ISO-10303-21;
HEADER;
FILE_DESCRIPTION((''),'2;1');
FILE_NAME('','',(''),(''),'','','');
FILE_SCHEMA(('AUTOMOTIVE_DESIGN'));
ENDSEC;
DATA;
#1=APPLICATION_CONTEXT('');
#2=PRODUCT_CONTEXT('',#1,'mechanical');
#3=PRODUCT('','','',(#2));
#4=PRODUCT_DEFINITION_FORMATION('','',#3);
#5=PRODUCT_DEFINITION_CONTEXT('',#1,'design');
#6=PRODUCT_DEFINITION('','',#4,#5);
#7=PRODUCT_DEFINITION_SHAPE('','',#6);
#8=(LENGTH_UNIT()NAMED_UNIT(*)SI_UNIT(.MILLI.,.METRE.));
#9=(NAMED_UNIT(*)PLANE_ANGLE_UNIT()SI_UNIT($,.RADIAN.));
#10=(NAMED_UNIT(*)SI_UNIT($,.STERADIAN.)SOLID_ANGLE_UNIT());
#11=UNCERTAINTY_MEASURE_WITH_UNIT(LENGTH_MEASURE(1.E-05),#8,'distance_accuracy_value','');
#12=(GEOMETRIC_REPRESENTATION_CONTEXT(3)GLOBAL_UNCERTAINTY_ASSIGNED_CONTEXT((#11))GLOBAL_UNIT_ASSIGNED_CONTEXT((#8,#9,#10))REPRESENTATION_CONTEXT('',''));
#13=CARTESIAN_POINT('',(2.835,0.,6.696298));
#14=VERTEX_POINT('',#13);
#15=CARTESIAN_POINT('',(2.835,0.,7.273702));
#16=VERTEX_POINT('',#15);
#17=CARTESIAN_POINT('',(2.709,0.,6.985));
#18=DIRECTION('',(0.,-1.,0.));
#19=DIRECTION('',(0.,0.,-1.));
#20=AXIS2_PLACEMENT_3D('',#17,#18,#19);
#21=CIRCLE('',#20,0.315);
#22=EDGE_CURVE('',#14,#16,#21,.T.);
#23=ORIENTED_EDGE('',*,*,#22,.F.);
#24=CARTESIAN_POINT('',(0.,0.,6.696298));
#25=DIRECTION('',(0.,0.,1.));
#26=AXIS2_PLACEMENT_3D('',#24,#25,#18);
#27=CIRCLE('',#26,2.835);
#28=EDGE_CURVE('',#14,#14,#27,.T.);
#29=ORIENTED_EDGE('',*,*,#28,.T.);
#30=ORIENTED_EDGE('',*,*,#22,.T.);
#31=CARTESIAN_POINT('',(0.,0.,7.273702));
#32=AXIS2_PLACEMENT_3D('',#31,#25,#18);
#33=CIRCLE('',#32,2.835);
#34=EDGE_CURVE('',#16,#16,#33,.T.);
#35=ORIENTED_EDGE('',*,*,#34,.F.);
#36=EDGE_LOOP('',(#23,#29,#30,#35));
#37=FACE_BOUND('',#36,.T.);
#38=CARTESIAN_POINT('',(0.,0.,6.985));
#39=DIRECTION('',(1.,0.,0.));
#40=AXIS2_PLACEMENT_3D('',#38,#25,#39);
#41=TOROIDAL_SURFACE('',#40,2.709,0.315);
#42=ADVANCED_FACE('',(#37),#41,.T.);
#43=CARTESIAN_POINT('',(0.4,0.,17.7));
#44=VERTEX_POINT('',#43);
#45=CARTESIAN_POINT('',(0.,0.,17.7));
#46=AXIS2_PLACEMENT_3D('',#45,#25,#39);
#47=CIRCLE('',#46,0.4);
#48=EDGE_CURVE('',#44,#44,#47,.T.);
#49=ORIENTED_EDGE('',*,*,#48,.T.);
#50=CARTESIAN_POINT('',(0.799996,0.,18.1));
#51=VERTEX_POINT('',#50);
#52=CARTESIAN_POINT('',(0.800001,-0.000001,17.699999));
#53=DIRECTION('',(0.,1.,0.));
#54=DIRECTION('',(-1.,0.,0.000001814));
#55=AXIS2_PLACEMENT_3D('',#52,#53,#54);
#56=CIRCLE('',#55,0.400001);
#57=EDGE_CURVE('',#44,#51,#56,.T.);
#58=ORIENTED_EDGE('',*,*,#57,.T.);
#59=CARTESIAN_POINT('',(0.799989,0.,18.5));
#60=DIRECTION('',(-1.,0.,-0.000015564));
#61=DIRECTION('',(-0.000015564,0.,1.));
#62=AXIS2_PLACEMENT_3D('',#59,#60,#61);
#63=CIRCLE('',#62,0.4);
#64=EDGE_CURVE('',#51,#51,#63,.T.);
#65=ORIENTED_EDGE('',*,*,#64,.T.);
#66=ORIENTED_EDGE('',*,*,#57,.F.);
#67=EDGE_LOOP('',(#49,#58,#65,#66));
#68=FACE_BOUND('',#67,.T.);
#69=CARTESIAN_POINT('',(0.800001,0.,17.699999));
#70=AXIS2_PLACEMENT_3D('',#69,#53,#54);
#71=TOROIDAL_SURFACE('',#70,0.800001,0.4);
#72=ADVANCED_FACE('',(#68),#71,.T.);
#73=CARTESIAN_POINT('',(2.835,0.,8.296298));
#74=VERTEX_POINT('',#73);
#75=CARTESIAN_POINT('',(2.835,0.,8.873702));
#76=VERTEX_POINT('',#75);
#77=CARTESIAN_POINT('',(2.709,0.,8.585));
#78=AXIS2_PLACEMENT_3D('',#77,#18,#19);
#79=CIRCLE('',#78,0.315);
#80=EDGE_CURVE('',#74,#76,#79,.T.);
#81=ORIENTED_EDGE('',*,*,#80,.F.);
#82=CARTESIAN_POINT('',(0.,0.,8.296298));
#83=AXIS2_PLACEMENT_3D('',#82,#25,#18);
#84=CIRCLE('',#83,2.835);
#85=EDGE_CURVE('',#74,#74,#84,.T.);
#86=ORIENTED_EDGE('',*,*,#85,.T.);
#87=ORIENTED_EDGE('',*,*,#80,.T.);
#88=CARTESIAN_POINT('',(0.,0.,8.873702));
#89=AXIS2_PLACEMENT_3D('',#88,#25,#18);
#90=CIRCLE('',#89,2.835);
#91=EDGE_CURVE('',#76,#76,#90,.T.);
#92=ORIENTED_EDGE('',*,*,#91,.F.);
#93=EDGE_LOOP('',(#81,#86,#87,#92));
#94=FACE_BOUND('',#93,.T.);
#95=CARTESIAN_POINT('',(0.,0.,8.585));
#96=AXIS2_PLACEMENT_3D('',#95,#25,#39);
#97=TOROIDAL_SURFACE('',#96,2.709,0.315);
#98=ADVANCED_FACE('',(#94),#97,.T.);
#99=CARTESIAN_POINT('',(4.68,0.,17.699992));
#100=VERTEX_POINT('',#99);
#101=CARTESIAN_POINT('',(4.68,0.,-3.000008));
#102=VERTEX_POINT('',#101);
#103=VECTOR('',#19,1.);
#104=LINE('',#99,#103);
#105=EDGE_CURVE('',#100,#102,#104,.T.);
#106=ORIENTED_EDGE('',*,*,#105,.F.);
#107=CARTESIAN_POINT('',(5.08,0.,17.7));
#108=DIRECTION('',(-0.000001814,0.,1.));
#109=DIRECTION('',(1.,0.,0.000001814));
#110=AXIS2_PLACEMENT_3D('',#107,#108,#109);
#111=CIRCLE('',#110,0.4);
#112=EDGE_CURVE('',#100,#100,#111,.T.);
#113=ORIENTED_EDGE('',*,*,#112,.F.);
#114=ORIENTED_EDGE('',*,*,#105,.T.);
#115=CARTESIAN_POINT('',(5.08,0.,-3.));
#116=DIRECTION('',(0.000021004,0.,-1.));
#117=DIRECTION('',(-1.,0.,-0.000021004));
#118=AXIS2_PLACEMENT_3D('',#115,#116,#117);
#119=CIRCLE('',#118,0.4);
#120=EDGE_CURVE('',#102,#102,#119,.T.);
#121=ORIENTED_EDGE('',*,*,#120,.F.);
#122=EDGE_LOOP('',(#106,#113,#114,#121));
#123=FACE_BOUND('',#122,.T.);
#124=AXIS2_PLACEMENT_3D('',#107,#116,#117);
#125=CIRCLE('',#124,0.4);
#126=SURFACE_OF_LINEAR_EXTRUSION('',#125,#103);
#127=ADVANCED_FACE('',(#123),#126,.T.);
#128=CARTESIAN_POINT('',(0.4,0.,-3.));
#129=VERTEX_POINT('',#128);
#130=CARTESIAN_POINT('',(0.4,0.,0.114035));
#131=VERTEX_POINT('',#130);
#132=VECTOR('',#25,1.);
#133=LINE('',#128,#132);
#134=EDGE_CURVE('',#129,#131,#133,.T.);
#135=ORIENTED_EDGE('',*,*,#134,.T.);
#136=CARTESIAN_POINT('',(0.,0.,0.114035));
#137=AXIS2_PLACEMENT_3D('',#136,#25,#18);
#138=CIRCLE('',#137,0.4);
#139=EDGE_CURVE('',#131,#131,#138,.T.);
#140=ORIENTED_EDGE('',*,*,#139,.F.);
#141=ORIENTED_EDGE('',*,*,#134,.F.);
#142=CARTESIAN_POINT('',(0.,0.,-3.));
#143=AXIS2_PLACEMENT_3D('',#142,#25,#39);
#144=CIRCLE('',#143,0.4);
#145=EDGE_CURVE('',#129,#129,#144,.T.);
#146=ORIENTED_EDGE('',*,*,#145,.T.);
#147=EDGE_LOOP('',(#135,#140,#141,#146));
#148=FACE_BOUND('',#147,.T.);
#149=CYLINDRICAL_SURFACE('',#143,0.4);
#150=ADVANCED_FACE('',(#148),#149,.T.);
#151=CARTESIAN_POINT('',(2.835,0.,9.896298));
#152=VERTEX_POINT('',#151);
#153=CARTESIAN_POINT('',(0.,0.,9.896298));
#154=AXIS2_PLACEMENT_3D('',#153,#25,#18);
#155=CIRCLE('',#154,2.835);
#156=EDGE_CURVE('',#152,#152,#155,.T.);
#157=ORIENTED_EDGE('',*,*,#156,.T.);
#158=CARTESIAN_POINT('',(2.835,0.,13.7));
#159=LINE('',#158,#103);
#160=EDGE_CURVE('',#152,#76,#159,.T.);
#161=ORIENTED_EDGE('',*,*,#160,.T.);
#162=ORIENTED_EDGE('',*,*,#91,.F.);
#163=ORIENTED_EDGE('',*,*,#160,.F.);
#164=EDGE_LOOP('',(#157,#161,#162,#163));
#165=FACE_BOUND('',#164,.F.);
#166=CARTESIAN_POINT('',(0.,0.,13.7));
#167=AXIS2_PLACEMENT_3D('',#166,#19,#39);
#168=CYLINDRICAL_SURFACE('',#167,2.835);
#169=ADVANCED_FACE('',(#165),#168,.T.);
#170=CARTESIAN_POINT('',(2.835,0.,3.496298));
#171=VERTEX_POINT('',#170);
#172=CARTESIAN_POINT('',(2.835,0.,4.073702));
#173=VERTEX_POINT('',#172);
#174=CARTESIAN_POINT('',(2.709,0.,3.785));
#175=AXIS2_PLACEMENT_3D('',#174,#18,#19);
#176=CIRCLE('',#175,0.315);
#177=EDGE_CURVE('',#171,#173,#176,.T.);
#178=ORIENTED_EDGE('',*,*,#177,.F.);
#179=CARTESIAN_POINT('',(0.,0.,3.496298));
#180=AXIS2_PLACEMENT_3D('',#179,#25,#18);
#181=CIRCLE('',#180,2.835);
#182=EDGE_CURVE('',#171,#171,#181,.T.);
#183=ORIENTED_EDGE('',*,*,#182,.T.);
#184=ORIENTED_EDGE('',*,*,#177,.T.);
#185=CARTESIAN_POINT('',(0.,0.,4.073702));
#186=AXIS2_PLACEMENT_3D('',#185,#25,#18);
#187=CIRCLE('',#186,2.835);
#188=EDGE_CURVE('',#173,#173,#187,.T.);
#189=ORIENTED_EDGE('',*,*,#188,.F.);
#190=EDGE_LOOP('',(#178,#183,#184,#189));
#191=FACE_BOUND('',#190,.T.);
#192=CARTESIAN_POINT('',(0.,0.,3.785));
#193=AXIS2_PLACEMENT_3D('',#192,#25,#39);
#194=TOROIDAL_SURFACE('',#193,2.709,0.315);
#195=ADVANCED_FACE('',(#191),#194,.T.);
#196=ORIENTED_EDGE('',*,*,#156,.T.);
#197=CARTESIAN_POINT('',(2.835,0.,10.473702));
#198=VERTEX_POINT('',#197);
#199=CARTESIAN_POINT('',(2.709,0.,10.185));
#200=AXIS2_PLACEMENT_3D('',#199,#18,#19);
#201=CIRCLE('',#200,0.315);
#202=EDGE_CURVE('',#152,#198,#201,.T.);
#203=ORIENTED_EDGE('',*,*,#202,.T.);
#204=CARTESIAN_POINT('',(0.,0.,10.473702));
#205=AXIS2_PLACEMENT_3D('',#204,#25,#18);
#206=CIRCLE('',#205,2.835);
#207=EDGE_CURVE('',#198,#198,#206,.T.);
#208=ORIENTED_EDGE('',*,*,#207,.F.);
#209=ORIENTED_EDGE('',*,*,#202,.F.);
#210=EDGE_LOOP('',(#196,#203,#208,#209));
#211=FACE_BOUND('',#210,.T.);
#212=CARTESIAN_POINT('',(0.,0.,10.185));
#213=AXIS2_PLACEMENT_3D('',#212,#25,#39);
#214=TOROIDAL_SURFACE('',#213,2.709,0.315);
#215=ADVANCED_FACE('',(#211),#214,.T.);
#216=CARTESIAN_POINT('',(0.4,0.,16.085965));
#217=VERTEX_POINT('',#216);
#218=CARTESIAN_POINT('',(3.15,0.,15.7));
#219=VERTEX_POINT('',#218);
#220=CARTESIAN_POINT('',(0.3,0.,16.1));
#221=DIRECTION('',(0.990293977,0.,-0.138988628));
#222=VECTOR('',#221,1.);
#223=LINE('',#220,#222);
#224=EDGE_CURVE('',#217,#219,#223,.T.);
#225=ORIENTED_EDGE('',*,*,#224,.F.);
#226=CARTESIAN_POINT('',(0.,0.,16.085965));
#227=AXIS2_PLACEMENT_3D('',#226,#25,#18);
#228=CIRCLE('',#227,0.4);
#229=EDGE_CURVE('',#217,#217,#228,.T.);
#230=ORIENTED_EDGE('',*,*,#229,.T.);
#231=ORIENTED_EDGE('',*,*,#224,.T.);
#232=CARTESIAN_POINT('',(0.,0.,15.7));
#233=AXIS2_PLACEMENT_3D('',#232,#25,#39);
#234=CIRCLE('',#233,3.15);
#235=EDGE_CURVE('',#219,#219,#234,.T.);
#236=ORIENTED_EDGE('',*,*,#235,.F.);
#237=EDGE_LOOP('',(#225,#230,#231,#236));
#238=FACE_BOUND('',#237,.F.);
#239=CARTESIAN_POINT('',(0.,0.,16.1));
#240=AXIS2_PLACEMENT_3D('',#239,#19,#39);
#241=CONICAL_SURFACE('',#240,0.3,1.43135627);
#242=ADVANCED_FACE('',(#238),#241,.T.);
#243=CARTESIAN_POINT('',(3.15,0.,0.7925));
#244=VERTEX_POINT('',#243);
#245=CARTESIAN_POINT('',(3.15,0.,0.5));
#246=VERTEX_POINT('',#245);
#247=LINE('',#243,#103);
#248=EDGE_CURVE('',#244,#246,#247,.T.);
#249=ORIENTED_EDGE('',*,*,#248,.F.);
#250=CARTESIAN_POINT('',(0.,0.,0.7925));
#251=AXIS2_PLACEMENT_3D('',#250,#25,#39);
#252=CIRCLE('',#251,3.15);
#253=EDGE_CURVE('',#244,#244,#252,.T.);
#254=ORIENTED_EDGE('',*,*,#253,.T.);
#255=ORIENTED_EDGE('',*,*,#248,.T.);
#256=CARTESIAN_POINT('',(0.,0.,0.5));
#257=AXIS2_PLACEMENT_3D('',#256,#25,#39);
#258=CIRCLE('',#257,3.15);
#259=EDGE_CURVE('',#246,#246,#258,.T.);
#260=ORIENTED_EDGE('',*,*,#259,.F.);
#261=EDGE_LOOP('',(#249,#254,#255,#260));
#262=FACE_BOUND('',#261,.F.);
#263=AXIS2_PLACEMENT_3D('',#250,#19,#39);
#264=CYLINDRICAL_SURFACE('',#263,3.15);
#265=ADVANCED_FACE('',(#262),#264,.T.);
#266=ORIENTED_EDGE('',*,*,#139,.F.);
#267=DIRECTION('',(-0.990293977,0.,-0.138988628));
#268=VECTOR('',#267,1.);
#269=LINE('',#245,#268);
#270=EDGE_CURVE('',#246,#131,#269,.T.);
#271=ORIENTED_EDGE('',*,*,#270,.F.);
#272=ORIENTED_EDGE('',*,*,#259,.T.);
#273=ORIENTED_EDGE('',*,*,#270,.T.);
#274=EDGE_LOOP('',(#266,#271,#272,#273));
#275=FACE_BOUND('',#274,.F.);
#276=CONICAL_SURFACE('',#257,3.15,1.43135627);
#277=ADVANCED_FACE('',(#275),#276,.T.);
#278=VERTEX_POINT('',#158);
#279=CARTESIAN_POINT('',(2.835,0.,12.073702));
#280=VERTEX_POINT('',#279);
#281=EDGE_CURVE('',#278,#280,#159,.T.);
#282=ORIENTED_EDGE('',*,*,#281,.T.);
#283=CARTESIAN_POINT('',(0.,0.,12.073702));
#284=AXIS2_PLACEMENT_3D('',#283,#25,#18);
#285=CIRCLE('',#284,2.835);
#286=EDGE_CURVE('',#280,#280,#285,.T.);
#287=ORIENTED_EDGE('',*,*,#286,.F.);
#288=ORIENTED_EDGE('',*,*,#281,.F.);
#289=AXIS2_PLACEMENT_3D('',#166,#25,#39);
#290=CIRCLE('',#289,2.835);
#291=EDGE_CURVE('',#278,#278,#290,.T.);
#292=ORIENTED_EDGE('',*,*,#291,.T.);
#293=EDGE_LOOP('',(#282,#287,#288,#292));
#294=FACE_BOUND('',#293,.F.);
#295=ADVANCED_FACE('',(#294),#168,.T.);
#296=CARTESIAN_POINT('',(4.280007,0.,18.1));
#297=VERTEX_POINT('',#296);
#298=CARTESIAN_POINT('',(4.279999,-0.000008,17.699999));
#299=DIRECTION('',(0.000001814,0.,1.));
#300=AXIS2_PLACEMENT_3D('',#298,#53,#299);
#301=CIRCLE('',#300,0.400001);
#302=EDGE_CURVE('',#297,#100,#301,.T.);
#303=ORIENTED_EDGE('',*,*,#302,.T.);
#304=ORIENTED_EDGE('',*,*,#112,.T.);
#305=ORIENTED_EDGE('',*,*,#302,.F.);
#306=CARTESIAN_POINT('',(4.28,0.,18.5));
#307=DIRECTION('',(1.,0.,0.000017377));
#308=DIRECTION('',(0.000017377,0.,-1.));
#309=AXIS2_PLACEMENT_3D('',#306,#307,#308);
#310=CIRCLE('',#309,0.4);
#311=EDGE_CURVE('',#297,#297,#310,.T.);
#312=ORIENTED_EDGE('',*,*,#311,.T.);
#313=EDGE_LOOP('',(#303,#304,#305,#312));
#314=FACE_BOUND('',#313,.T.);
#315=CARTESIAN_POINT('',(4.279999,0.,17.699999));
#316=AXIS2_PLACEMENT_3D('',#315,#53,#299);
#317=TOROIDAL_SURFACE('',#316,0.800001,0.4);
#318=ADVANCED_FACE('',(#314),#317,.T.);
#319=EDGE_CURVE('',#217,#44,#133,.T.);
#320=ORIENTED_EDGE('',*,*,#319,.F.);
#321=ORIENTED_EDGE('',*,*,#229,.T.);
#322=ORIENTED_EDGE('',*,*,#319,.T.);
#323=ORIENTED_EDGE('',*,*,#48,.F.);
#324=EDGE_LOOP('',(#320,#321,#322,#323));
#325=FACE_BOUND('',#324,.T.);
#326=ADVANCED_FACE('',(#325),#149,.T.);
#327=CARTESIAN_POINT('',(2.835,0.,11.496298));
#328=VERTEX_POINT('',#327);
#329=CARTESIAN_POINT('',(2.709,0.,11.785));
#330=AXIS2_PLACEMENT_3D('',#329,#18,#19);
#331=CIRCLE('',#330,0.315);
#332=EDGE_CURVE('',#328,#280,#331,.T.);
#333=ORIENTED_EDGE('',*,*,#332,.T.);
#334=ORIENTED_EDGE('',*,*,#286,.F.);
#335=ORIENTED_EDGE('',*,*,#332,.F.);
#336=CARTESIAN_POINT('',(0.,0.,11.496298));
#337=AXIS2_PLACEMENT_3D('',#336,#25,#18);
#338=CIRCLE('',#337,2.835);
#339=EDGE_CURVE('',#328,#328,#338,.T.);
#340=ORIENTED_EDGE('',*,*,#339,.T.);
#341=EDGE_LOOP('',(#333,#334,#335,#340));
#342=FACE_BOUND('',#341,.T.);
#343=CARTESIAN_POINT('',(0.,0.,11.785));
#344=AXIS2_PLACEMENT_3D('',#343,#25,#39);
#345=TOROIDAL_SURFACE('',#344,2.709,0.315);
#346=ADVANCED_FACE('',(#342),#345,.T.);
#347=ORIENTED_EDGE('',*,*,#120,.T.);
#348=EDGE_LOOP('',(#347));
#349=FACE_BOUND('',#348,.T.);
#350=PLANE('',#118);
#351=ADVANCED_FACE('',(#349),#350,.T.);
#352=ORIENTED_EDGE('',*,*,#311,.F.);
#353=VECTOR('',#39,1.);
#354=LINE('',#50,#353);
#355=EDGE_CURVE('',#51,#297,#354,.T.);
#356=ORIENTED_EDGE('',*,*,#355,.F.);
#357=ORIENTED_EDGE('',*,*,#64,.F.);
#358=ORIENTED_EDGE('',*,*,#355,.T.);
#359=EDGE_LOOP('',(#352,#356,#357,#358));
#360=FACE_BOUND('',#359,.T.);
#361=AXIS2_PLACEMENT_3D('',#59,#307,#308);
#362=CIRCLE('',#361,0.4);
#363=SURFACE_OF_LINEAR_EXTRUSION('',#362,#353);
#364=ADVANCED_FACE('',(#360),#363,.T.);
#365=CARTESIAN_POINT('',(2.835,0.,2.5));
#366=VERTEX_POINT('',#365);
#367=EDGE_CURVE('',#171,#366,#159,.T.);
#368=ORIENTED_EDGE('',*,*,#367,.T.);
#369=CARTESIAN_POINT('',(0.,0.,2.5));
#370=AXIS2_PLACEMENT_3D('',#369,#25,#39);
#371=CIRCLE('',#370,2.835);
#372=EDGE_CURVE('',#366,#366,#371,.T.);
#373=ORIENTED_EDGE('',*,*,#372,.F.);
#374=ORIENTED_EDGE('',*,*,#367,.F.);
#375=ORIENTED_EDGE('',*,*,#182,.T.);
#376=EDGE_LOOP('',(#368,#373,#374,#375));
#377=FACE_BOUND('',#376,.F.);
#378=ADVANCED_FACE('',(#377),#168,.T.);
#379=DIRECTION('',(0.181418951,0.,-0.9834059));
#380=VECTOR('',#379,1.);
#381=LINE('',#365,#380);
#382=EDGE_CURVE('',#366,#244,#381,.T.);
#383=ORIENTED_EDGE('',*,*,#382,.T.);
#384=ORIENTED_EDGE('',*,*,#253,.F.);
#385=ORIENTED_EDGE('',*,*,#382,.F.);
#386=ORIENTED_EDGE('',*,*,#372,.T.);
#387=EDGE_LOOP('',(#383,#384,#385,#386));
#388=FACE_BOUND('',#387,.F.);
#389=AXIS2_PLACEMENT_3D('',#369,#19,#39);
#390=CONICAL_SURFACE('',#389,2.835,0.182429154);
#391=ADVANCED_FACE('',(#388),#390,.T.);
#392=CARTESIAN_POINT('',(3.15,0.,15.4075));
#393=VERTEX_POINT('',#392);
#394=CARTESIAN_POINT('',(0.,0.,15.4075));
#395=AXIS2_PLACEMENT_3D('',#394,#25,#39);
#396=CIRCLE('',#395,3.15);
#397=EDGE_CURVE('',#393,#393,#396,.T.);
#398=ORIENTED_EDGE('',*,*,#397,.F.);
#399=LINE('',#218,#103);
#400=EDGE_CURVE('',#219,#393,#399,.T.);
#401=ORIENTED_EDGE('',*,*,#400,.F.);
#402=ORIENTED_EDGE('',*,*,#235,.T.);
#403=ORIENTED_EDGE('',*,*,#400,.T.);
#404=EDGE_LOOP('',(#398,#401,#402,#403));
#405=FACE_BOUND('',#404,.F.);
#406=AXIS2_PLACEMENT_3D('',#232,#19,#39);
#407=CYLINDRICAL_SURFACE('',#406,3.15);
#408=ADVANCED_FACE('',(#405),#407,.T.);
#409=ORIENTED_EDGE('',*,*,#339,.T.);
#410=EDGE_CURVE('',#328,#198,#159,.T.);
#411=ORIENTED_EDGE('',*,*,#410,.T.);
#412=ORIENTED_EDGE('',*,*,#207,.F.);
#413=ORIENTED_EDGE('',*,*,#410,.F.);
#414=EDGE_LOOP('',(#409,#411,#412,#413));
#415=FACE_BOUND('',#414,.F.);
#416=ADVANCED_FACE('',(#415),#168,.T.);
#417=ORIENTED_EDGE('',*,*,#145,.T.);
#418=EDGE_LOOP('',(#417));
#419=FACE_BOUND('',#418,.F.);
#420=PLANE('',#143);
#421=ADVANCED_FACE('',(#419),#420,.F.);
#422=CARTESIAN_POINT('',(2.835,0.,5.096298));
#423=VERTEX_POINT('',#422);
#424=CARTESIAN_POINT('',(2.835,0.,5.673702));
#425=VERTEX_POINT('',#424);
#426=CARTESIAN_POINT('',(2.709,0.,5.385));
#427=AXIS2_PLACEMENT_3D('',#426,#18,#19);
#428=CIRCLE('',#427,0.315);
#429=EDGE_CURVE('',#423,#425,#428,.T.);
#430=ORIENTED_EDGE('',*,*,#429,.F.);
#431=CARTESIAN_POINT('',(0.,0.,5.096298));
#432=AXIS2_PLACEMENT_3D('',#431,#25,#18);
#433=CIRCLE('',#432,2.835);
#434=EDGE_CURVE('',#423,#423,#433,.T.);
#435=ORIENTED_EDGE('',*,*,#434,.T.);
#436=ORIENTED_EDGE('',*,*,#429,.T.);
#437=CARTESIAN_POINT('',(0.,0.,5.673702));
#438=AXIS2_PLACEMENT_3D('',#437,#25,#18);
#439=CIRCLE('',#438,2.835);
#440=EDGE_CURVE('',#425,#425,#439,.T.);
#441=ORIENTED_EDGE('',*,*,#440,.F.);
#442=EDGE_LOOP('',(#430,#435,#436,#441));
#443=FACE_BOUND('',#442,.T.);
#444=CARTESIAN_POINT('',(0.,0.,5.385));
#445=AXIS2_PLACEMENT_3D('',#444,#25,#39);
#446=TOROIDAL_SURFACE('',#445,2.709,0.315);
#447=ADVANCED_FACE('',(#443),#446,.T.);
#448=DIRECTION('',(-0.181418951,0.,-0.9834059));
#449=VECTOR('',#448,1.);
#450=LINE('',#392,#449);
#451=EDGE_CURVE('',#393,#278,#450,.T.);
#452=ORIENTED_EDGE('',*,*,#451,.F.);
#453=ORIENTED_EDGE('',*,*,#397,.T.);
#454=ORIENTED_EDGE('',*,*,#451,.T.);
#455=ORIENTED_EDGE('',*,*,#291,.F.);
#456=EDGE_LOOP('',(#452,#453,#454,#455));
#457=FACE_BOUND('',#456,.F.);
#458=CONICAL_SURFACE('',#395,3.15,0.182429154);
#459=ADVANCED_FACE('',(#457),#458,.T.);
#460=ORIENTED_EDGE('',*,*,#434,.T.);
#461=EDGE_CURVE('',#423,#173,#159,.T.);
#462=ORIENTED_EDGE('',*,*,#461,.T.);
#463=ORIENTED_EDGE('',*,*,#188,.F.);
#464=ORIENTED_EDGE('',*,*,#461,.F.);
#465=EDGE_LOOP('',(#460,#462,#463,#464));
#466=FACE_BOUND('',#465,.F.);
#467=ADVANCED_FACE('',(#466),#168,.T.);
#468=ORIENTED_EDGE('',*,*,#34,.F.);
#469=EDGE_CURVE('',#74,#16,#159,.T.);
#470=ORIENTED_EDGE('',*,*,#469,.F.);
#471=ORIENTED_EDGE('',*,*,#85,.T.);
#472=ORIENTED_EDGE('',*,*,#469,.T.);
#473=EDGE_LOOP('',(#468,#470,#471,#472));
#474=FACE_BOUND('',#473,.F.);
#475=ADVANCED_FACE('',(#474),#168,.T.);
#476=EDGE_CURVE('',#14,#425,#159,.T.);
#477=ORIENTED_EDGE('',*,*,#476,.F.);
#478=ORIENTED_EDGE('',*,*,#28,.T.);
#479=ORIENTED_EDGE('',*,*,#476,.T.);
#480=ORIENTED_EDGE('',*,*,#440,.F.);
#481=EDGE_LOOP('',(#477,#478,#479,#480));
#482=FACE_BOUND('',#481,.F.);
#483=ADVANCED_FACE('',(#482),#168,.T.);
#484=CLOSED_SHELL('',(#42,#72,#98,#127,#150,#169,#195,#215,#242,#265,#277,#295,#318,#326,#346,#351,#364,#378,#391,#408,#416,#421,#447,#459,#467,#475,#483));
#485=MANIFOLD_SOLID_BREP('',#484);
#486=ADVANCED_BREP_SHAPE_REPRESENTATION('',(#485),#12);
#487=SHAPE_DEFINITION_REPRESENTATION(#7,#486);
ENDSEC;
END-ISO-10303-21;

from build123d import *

# Parameters (mm, degrees)
SKETCH_R = 0.4


with BuildPart() as revolution:
    # Sketch002 → Revolution (revolve)
    with BuildSketch(Plane.XZ):
        Polygon((0, 0.1), (0, 16.1), (0.3, 16.1), (3.15, 15.7), (3.15, 15.4075), (2.835, 13.7), (2.835, 2.5), (3.15, 0.7925), (3.15, 0.5), (0.3, 0.1), align=None)
    revolve(axis=Axis((0, 0, 0), (0, 0, 1)))


with BuildPart() as sweep_body:
    # Sweep: sweep along a path in Sketch001
    with BuildLine(Plane.XZ) as sweep_path:
        Line((0, -3), (0, 17.7))
        ThreePointArc((0, 17.7), (0.234311, 18.265681), (0.799989, 18.5))
        Line((0.799989, 18.5), (4.28, 18.5))
        ThreePointArc((4.28, 18.5), (4.845685, 18.265685), (5.08, 17.7))
        Line((5.08, 17.7), (5.08, -3))
    # Sketch → Sweep (sweep)
    with BuildSketch(Plane.XY.offset(-2)):
        Circle(SKETCH_R)
    sweep(path=sweep_path.line)


with BuildPart() as revolution001_mp_cp:
    # Sketch003 → Revolution001 (revolve)
    with BuildSketch(Plane.XZ):
        with BuildLine():
            Line((2.52, 13.07), (2.52, 2.5))
            Line((2.52, 2.5), (2.709, 2.5))
            Line((2.709, 2.5), (2.709, 3.47))
            ThreePointArc((2.709, 3.47), (3.024, 3.785), (2.709, 4.1))
            Line((2.709, 4.1), (2.709, 5.07))
            ThreePointArc((2.709, 5.07), (3.024, 5.385), (2.709, 5.7))
            Line((2.709, 5.7), (2.709, 6.67))
            ThreePointArc((2.709, 6.67), (3.024, 6.985), (2.709, 7.3))
            Line((2.709, 7.3), (2.709, 8.27))
            ThreePointArc((2.709, 8.27), (3.024, 8.585), (2.709, 8.9))
            Line((2.709, 8.9), (2.709, 9.87))
            ThreePointArc((2.709, 9.87), (3.024, 10.185), (2.709, 10.5))
            Line((2.709, 10.5), (2.709, 11.47))
            ThreePointArc((2.709, 11.47), (3.024, 11.785), (2.709, 12.1))
            Line((2.709, 13.07), (2.709, 12.1))
            Line((2.52, 13.07), (2.709, 13.07))
        make_face()
    revolve(axis=Axis((0, 0, 0), (0, 0, 1)))

    # Revolution001_mp_cp: union Revolution, Sweep body
    add(revolution.part)
    add(sweep_body.part)


solid = revolution001_mp_cp.part
